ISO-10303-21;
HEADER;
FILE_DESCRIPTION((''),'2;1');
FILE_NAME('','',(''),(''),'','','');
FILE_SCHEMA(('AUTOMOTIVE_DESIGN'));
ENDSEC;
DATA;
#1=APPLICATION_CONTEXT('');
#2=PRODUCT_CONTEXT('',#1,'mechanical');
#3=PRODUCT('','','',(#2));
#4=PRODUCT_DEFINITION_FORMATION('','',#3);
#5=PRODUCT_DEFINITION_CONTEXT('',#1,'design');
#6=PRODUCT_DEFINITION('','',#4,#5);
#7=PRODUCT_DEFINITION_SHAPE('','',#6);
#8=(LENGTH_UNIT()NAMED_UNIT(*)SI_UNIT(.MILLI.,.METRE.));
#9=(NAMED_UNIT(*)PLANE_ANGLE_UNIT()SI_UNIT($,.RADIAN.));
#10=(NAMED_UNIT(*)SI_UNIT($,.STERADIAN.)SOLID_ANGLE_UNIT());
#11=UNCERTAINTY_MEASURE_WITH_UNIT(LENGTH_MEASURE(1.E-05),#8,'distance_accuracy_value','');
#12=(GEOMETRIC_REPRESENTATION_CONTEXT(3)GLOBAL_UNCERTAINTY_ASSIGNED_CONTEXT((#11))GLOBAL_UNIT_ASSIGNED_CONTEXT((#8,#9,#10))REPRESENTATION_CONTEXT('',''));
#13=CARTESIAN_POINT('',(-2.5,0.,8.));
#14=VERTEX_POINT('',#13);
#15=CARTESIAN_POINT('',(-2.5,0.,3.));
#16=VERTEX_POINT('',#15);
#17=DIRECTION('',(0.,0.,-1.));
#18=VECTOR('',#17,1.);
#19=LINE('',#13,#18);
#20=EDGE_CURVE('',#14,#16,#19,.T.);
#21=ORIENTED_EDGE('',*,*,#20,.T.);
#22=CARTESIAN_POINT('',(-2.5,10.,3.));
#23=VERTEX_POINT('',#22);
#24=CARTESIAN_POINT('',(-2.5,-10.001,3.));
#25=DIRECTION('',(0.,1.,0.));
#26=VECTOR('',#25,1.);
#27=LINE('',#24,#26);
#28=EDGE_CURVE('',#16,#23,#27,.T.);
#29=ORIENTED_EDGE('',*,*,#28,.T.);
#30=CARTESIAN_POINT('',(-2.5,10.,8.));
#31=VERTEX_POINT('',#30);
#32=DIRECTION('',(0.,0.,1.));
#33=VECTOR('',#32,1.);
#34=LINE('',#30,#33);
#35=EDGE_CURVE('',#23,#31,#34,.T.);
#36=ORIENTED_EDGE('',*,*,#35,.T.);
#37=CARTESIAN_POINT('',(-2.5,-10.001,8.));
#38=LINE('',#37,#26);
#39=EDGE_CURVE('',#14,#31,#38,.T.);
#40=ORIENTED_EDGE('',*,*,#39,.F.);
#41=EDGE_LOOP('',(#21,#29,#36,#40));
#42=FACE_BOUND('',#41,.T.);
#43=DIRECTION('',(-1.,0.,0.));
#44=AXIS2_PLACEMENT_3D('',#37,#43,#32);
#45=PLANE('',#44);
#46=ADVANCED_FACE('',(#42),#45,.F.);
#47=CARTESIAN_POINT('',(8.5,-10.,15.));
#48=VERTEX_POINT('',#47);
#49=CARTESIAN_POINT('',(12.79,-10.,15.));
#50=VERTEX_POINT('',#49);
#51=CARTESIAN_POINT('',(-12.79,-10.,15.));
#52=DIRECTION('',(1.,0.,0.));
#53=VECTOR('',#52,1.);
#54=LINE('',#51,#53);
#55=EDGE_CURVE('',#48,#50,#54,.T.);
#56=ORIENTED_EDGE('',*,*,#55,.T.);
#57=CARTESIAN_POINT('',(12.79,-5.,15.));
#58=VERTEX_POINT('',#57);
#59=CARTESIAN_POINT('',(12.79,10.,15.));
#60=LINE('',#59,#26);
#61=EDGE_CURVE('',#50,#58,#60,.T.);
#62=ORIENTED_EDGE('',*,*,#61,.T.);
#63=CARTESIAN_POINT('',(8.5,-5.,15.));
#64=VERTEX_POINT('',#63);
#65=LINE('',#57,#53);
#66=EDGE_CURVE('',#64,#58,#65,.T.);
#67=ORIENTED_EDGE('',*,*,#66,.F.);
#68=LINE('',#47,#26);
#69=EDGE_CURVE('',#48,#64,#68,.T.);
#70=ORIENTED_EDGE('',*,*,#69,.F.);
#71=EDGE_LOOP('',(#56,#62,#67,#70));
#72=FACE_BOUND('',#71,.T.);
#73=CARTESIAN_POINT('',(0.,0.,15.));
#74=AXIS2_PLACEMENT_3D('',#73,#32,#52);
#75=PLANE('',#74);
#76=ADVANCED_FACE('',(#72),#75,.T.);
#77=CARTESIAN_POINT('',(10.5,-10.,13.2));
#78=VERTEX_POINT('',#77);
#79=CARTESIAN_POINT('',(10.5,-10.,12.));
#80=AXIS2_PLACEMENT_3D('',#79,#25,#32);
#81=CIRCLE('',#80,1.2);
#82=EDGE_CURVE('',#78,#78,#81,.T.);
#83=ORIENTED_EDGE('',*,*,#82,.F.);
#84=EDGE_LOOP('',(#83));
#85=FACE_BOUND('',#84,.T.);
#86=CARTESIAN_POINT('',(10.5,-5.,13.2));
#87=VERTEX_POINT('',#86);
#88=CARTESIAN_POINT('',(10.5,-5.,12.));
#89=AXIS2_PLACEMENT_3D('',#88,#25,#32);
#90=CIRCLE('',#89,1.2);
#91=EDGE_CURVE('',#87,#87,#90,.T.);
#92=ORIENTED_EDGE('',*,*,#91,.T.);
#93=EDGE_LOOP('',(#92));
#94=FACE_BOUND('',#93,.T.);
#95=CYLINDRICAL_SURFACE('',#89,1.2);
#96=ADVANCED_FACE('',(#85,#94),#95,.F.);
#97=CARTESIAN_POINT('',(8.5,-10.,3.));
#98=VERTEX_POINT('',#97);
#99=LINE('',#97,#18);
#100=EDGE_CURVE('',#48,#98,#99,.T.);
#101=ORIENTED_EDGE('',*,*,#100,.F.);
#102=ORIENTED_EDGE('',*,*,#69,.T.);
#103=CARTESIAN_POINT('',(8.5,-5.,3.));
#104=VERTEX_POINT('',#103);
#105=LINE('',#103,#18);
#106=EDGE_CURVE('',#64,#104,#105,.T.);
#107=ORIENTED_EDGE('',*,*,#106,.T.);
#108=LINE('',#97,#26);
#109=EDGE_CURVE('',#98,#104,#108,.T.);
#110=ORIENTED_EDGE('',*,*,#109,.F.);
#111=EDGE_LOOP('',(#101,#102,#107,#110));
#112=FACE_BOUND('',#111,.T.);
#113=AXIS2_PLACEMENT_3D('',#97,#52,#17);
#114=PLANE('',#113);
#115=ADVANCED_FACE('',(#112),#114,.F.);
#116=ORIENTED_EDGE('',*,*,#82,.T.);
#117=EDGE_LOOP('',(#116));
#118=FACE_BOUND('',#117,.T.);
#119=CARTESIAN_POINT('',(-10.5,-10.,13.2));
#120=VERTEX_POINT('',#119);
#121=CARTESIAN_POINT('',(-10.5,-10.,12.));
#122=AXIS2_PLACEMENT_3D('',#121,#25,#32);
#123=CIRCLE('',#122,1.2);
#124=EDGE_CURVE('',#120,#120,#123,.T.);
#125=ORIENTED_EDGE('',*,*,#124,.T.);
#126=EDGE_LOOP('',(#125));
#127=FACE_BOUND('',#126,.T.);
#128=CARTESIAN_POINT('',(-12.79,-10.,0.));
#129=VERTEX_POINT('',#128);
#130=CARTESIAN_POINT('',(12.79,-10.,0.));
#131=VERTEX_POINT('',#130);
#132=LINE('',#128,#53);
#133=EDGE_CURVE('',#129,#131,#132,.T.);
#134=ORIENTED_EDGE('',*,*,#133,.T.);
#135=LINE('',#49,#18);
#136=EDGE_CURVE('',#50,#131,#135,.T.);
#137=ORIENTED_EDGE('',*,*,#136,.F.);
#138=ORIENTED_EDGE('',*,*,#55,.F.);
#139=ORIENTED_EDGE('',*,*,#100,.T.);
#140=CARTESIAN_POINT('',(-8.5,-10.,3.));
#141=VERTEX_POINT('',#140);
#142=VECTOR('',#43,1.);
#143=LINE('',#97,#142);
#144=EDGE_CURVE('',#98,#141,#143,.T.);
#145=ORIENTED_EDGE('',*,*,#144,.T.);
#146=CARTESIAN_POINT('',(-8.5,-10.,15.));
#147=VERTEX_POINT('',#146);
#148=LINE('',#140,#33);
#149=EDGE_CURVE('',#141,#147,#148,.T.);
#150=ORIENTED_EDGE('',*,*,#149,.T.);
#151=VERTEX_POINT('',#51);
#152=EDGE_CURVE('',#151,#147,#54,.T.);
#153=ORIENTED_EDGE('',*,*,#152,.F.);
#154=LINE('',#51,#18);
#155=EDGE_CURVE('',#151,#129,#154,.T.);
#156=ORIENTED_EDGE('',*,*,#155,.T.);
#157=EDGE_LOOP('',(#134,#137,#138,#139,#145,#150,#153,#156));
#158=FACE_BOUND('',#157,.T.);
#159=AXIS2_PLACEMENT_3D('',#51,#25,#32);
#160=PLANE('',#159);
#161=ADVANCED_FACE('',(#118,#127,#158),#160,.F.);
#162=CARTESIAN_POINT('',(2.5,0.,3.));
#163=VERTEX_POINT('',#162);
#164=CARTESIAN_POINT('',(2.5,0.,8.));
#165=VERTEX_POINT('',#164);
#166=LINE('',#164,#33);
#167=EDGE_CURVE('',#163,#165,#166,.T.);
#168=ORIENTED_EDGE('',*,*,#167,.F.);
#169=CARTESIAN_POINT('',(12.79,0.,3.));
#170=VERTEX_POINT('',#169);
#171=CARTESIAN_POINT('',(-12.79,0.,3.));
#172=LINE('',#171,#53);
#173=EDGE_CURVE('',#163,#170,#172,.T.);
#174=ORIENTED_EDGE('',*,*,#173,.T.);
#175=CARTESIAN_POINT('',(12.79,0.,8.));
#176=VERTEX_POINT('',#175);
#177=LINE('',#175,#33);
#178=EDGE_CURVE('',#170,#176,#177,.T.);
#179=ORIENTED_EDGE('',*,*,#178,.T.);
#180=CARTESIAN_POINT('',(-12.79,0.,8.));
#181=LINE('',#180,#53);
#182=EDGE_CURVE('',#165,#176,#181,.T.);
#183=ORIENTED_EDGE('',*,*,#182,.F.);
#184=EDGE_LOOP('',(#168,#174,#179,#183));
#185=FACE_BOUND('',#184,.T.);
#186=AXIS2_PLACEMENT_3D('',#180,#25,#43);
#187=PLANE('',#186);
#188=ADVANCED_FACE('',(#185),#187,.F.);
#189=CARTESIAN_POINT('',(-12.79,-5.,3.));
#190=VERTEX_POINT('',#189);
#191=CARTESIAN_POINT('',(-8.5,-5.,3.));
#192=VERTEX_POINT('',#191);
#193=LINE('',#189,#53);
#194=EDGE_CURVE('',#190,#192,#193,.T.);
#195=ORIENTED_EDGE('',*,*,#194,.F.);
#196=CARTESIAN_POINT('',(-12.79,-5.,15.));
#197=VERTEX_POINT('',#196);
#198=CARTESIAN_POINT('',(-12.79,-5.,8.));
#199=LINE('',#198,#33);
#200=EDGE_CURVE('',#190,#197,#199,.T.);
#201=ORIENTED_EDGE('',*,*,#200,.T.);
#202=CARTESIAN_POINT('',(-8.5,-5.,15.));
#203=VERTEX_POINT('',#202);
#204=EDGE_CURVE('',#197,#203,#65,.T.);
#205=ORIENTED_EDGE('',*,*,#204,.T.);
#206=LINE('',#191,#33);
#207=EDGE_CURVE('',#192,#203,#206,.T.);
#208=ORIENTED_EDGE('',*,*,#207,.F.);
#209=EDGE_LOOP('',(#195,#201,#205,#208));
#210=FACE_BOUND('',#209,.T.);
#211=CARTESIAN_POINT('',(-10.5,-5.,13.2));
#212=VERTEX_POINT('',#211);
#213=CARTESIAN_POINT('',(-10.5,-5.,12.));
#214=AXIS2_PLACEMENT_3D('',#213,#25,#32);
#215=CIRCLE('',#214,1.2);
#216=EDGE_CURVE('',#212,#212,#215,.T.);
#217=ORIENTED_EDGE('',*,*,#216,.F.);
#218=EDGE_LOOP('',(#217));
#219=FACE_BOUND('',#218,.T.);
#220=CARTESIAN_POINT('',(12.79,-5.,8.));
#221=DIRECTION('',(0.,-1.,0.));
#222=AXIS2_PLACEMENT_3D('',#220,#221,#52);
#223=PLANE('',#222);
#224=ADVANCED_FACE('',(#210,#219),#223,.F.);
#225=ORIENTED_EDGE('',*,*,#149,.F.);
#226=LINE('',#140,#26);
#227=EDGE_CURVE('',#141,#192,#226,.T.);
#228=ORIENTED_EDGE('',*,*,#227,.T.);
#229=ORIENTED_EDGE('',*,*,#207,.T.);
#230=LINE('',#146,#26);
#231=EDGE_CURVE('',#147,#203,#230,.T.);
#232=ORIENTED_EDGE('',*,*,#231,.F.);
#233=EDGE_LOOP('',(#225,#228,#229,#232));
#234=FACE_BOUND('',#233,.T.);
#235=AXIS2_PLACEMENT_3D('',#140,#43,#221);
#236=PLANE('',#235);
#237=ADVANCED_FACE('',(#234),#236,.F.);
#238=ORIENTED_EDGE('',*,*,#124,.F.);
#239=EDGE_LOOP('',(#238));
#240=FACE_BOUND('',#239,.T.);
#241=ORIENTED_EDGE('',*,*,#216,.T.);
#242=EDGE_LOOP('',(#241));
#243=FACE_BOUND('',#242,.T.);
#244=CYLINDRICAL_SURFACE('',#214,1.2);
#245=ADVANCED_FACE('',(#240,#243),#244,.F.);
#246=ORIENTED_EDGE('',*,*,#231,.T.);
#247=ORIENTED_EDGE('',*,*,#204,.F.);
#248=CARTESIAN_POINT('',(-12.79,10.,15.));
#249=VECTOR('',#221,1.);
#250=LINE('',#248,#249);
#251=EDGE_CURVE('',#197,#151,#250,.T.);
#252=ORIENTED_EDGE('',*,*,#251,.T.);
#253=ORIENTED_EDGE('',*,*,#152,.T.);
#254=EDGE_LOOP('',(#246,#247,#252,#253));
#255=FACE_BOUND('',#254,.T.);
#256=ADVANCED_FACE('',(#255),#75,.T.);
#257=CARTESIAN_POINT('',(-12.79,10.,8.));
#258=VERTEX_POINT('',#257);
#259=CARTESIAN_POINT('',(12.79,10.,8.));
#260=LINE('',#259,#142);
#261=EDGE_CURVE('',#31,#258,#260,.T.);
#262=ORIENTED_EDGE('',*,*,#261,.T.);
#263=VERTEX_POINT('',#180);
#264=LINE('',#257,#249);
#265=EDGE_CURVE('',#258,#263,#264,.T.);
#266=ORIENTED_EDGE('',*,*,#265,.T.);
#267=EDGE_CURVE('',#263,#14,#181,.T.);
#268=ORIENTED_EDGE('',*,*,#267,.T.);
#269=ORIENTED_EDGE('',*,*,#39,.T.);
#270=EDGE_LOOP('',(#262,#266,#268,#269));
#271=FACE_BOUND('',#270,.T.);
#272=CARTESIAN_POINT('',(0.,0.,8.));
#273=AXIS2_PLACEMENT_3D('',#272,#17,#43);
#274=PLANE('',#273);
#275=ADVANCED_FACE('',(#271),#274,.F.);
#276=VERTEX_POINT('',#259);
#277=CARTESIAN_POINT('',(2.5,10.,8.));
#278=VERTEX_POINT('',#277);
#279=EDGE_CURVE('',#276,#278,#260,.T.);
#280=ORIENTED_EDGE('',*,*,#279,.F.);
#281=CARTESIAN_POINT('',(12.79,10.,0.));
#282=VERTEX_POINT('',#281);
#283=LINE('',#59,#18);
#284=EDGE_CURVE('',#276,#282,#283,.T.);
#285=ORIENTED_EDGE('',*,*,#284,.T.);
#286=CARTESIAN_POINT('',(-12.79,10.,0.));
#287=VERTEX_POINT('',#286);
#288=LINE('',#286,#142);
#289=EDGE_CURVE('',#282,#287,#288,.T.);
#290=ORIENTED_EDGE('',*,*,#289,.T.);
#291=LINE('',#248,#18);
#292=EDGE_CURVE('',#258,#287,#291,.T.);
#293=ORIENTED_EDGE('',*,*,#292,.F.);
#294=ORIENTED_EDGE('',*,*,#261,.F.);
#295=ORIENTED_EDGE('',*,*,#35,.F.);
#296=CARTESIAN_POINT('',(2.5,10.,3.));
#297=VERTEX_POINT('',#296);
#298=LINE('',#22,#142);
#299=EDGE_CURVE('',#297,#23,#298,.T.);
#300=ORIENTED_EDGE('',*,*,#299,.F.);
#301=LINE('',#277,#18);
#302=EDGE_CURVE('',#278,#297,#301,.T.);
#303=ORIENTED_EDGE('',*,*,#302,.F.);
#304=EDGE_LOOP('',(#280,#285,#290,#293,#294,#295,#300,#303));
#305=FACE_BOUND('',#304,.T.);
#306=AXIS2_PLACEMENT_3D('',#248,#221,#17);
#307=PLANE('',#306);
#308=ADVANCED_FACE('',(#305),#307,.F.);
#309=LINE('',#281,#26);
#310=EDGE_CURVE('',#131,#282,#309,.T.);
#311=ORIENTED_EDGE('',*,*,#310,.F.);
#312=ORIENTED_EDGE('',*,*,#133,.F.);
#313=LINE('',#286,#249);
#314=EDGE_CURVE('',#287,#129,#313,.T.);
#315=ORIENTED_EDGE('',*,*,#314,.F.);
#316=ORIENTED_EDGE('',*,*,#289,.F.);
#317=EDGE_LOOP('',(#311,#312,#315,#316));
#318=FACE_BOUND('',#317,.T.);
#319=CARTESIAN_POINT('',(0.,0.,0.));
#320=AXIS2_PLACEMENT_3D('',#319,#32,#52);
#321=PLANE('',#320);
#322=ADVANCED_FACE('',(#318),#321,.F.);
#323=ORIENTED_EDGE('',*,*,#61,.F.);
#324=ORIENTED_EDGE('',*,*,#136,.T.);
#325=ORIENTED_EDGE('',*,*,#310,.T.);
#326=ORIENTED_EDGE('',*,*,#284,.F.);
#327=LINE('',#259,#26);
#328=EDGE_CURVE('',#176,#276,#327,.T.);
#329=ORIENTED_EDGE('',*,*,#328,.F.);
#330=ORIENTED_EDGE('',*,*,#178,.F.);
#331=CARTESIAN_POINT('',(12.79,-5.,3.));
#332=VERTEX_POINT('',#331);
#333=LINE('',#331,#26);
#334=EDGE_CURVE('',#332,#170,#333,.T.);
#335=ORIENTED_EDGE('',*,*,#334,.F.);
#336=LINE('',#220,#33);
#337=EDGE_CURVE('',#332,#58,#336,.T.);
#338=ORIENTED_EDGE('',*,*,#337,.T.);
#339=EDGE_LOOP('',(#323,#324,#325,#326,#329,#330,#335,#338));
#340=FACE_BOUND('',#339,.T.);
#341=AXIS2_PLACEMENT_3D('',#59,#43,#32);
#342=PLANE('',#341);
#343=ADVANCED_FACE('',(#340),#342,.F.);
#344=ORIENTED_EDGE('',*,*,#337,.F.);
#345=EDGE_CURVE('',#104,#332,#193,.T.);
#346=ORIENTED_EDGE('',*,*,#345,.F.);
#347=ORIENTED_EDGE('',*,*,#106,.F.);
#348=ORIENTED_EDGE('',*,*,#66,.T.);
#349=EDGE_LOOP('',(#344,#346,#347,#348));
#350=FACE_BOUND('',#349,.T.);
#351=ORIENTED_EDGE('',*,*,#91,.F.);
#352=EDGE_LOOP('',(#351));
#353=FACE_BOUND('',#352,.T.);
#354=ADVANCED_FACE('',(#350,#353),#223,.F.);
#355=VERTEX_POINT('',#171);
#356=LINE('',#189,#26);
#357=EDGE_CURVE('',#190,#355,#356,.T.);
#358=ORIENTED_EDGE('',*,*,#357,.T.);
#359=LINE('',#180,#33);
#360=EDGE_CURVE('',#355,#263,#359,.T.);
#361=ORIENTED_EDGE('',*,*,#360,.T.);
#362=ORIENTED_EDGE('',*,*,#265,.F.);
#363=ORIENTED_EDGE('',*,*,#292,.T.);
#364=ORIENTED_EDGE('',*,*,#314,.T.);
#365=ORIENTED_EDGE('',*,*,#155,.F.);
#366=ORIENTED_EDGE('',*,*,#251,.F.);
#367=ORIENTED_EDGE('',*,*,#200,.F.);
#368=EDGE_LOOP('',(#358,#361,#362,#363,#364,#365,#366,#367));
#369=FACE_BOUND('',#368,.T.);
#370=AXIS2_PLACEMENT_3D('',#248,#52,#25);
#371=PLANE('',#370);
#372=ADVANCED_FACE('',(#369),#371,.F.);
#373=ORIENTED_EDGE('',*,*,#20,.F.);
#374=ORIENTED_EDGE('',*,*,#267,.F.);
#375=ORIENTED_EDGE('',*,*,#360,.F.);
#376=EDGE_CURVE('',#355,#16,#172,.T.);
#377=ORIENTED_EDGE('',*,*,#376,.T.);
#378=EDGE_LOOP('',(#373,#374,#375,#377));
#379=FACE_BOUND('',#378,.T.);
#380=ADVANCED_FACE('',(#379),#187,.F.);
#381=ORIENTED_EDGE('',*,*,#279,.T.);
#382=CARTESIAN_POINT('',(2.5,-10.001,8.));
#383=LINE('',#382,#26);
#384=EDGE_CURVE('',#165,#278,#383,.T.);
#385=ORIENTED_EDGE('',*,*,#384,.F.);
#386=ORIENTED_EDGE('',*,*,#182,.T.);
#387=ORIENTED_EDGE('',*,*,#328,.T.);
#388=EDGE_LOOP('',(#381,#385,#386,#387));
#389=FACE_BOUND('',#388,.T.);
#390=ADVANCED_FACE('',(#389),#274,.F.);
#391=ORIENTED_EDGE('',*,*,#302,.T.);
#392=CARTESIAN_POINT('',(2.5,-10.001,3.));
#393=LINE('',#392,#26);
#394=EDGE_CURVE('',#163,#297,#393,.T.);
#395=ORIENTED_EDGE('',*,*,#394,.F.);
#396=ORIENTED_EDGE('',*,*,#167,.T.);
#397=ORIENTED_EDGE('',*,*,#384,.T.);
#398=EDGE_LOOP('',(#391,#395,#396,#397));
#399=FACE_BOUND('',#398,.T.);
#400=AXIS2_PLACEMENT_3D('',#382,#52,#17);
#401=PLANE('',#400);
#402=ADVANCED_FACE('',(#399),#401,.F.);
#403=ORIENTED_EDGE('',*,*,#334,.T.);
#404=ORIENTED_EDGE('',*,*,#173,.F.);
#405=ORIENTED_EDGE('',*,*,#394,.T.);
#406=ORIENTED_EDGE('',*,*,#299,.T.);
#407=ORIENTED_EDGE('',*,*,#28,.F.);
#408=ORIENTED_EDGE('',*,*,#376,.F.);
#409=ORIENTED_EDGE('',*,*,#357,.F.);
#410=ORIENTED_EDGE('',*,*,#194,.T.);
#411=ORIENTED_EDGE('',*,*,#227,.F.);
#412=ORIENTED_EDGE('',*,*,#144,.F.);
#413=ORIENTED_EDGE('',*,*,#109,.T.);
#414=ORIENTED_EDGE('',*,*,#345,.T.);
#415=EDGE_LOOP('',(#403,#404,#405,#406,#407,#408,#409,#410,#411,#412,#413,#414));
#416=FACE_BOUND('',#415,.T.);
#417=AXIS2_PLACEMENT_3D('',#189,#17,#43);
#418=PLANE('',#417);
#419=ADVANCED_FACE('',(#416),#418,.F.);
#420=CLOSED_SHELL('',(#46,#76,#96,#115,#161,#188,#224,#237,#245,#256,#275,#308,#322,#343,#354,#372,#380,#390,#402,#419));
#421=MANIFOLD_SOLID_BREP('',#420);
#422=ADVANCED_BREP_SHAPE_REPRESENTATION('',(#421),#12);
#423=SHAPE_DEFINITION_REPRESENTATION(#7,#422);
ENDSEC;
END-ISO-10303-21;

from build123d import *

# Parameters (mm, degrees)
SKETCH_1_W          = 25.58
SKETCH_1_H          = 20
EXTRUDE_1_DEPTH     = 15
SKETCH_4_W          = 25.58
SKETCH_4_H          = 15
CUT_EXTRUDE_3_DEPTH = 7
SKETCH_5_W          = 5
SKETCH_5_H          = 5
CUT_EXTRUDE_4_DEPTH = 32.294350928
CUT_EXTRUDE_5_REACH = 30.082
SKETCH_6_W          = 5
SKETCH_6_H          = 5
HOLE_WIZARD_M2_1_D  = 2.4
SKETCH_10_W         = 17
SKETCH_10_H         = 12
CUT_EXTRUDE_7_DEPTH = 25.770629786


with BuildPart() as part:
    # ｽｹｯﾁ1 → ﾎﾞｽ - 押し出し1 (new body)
    with BuildSketch(Plane.XY):
        Rectangle(SKETCH_1_W, SKETCH_1_H)
    extrude(amount=EXTRUDE_1_DEPTH)

    # ｽｹｯﾁ4 → ｶｯﾄ - 押し出し3 (cut)
    with BuildSketch(Plane.XY.offset(15)):
        with Locations((0, 2.5)):
            Rectangle(SKETCH_4_W, SKETCH_4_H)
    extrude(amount=-CUT_EXTRUDE_3_DEPTH, mode=Mode.SUBTRACT)

    # ｽｹｯﾁ5 → ｶｯﾄ - 押し出し4 (cut, through all)
    with BuildSketch(Plane(origin=(12.79, 0, 0), x_dir=(0, 0, -1), z_dir=(1, 0, 0))):
        with Locations((-5.5, -2.5)):
            Rectangle(SKETCH_5_W, SKETCH_5_H)
    extrude(amount=-CUT_EXTRUDE_4_DEPTH, mode=Mode.SUBTRACT)

    # ｽｹｯﾁ6 → ｶｯﾄ - 押し出し5 (cut, up to next)
    with BuildSketch(Plane(origin=(0, 10, 0), x_dir=(1, 0, 0), z_dir=(0, 1, 0)), mode=Mode.PRIVATE) as cut_extrude_5_sk1:
        with Locations((0, -5.5)):
            Rectangle(SKETCH_6_W, SKETCH_6_H)
    cut_extrude_5_tool1 = extrude(cut_extrude_5_sk1.sketch, amount=-CUT_EXTRUDE_5_REACH, mode=Mode.PRIVATE) & part.part
    add(cut_extrude_5_tool1.solids().sort_by_distance((0, 10, 5.5))[0], mode=Mode.SUBTRACT)

    # M2 すきま穴1 (through all)
    with Locations(Plane(origin=(0, -5, 0), x_dir=(1, 0, 0), z_dir=(0, 1, 0))):
        with Locations((10.5, -12), (-10.5, -12)):
            Hole(HOLE_WIZARD_M2_1_D / 2)

    # ｽｹｯﾁ10 → ｶｯﾄ - 押し出し7 (cut, through all)
    with BuildSketch(Plane(origin=(0, -5, 0), x_dir=(1, 0, 0), z_dir=(0, 1, 0))):
        with Locations((0, -9)):
            Rectangle(SKETCH_10_W, SKETCH_10_H)
    extrude(amount=-CUT_EXTRUDE_7_DEPTH, mode=Mode.SUBTRACT)


solid = part.part
